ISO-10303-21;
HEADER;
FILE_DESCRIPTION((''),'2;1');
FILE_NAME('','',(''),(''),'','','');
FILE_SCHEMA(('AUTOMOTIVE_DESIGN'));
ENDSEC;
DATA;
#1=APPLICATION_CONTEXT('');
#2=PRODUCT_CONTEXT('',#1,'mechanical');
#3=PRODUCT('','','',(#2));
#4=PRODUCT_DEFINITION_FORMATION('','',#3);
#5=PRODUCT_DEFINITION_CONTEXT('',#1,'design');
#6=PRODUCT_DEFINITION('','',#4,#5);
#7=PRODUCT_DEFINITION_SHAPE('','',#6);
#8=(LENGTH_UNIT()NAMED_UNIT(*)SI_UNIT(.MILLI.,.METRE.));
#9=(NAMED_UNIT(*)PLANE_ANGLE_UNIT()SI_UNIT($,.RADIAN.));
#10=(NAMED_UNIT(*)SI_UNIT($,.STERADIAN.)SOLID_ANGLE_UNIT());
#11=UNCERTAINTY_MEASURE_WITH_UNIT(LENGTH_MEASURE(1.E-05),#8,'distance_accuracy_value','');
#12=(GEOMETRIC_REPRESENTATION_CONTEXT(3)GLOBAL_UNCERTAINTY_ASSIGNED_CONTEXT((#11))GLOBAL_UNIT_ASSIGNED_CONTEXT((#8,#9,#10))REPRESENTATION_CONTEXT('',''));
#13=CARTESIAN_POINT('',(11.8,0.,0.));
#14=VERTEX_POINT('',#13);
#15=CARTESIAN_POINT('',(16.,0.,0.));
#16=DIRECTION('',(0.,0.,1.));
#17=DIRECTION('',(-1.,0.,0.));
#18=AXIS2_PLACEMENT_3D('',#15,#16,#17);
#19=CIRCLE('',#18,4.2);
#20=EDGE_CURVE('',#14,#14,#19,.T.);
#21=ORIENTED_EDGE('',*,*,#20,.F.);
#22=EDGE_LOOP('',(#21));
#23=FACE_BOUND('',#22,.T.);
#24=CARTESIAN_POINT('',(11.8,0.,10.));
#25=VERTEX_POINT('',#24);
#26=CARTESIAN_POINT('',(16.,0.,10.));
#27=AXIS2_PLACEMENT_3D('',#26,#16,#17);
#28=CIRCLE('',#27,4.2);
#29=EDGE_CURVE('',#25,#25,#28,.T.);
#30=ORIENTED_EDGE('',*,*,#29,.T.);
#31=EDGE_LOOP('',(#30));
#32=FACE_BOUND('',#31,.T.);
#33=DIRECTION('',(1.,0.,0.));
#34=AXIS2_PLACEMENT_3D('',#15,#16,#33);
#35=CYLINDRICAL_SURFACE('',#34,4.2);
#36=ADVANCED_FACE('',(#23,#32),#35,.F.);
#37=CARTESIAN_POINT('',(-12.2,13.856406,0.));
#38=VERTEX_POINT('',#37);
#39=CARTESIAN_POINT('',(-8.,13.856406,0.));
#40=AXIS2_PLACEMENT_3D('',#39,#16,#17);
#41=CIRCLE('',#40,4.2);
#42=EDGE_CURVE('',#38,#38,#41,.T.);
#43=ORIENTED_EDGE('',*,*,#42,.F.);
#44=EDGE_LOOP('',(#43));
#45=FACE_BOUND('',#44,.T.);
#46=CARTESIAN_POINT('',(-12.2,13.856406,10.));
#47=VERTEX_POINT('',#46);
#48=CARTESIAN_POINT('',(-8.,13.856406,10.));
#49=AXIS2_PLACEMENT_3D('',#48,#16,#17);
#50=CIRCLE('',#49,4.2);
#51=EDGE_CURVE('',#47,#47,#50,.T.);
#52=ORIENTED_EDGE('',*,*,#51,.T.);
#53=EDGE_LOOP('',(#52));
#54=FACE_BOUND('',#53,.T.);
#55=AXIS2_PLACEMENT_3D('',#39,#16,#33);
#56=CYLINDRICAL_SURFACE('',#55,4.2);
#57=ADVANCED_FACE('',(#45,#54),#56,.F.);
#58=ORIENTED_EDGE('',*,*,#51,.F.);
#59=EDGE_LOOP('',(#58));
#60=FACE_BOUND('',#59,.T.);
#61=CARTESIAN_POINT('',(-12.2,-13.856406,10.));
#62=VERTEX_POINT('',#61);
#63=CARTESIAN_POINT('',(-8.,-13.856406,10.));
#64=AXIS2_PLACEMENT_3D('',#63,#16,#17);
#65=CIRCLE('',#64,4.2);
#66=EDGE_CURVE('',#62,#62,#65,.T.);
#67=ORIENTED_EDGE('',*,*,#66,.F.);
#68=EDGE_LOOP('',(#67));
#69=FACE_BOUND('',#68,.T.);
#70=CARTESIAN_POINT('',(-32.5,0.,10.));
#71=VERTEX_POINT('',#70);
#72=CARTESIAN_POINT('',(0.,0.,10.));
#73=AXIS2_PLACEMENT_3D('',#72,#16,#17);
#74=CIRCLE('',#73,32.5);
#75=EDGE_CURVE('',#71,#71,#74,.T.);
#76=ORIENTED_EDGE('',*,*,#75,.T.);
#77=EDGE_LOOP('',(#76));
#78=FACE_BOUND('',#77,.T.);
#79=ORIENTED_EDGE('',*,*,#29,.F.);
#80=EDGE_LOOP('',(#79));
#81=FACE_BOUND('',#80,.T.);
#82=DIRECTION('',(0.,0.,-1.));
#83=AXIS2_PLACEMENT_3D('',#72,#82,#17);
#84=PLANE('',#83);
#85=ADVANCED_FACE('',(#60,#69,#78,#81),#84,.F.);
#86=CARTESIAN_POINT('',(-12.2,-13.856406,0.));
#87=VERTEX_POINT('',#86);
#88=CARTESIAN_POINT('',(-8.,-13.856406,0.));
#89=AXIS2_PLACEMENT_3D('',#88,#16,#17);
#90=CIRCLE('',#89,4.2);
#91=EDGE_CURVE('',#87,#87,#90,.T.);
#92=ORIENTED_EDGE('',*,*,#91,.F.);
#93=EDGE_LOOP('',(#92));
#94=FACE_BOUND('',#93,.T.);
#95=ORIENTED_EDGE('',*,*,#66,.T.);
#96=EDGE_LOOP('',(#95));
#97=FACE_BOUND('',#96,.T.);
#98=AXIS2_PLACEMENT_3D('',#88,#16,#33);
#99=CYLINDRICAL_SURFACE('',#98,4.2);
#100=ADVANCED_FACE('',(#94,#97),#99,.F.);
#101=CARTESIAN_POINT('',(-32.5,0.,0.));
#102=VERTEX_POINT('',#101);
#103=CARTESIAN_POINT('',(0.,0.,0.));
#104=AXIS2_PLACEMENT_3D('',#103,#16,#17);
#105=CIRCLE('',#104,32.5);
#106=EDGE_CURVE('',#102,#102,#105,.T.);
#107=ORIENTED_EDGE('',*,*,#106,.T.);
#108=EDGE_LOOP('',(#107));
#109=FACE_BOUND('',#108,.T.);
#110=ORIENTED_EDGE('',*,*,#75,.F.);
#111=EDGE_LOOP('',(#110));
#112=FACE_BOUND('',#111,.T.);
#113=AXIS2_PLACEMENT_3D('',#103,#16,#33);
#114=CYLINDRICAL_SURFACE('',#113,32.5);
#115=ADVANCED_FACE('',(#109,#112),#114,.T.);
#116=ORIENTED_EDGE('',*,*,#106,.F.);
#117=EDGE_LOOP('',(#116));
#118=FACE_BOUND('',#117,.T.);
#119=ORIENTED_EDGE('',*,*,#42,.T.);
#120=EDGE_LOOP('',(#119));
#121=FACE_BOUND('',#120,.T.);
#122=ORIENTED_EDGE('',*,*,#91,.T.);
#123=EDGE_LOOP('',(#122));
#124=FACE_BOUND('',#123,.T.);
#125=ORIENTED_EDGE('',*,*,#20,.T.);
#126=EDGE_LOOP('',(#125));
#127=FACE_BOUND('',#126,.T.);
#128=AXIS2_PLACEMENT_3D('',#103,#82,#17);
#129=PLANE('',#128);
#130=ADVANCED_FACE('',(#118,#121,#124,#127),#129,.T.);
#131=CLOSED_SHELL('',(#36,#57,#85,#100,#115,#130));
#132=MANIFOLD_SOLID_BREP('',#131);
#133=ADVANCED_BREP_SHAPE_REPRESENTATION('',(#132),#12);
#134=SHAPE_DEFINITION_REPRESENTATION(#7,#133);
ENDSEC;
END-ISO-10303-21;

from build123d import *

# Parameters (mm, degrees)
SKETCH1_R           = 32.5
SKETCH1_R_2         = 4.2
BOSS_EXTRUDE1_DEPTH = 10


with BuildPart() as part:
    # Sketch1 → Boss-Extrude1 (new body)
    with BuildSketch(Plane.XY.offset(10)):
        with Locations(Location((0, 0, 0), (0, 0, 180))):
            Circle(SKETCH1_R)
        with Locations(Location((-8, 13.856406461, 0), (0, 0, 180))):
            Circle(SKETCH1_R_2, mode=Mode.SUBTRACT)
        with Locations(Location((-8, -13.856406461, 0), (0, 0, 180))):
            Circle(SKETCH1_R_2, mode=Mode.SUBTRACT)
        with Locations(Location((16, 0, 0), (0, 0, 180))):
            Circle(SKETCH1_R_2, mode=Mode.SUBTRACT)
    extrude(amount=-BOSS_EXTRUDE1_DEPTH)


solid = part.part
